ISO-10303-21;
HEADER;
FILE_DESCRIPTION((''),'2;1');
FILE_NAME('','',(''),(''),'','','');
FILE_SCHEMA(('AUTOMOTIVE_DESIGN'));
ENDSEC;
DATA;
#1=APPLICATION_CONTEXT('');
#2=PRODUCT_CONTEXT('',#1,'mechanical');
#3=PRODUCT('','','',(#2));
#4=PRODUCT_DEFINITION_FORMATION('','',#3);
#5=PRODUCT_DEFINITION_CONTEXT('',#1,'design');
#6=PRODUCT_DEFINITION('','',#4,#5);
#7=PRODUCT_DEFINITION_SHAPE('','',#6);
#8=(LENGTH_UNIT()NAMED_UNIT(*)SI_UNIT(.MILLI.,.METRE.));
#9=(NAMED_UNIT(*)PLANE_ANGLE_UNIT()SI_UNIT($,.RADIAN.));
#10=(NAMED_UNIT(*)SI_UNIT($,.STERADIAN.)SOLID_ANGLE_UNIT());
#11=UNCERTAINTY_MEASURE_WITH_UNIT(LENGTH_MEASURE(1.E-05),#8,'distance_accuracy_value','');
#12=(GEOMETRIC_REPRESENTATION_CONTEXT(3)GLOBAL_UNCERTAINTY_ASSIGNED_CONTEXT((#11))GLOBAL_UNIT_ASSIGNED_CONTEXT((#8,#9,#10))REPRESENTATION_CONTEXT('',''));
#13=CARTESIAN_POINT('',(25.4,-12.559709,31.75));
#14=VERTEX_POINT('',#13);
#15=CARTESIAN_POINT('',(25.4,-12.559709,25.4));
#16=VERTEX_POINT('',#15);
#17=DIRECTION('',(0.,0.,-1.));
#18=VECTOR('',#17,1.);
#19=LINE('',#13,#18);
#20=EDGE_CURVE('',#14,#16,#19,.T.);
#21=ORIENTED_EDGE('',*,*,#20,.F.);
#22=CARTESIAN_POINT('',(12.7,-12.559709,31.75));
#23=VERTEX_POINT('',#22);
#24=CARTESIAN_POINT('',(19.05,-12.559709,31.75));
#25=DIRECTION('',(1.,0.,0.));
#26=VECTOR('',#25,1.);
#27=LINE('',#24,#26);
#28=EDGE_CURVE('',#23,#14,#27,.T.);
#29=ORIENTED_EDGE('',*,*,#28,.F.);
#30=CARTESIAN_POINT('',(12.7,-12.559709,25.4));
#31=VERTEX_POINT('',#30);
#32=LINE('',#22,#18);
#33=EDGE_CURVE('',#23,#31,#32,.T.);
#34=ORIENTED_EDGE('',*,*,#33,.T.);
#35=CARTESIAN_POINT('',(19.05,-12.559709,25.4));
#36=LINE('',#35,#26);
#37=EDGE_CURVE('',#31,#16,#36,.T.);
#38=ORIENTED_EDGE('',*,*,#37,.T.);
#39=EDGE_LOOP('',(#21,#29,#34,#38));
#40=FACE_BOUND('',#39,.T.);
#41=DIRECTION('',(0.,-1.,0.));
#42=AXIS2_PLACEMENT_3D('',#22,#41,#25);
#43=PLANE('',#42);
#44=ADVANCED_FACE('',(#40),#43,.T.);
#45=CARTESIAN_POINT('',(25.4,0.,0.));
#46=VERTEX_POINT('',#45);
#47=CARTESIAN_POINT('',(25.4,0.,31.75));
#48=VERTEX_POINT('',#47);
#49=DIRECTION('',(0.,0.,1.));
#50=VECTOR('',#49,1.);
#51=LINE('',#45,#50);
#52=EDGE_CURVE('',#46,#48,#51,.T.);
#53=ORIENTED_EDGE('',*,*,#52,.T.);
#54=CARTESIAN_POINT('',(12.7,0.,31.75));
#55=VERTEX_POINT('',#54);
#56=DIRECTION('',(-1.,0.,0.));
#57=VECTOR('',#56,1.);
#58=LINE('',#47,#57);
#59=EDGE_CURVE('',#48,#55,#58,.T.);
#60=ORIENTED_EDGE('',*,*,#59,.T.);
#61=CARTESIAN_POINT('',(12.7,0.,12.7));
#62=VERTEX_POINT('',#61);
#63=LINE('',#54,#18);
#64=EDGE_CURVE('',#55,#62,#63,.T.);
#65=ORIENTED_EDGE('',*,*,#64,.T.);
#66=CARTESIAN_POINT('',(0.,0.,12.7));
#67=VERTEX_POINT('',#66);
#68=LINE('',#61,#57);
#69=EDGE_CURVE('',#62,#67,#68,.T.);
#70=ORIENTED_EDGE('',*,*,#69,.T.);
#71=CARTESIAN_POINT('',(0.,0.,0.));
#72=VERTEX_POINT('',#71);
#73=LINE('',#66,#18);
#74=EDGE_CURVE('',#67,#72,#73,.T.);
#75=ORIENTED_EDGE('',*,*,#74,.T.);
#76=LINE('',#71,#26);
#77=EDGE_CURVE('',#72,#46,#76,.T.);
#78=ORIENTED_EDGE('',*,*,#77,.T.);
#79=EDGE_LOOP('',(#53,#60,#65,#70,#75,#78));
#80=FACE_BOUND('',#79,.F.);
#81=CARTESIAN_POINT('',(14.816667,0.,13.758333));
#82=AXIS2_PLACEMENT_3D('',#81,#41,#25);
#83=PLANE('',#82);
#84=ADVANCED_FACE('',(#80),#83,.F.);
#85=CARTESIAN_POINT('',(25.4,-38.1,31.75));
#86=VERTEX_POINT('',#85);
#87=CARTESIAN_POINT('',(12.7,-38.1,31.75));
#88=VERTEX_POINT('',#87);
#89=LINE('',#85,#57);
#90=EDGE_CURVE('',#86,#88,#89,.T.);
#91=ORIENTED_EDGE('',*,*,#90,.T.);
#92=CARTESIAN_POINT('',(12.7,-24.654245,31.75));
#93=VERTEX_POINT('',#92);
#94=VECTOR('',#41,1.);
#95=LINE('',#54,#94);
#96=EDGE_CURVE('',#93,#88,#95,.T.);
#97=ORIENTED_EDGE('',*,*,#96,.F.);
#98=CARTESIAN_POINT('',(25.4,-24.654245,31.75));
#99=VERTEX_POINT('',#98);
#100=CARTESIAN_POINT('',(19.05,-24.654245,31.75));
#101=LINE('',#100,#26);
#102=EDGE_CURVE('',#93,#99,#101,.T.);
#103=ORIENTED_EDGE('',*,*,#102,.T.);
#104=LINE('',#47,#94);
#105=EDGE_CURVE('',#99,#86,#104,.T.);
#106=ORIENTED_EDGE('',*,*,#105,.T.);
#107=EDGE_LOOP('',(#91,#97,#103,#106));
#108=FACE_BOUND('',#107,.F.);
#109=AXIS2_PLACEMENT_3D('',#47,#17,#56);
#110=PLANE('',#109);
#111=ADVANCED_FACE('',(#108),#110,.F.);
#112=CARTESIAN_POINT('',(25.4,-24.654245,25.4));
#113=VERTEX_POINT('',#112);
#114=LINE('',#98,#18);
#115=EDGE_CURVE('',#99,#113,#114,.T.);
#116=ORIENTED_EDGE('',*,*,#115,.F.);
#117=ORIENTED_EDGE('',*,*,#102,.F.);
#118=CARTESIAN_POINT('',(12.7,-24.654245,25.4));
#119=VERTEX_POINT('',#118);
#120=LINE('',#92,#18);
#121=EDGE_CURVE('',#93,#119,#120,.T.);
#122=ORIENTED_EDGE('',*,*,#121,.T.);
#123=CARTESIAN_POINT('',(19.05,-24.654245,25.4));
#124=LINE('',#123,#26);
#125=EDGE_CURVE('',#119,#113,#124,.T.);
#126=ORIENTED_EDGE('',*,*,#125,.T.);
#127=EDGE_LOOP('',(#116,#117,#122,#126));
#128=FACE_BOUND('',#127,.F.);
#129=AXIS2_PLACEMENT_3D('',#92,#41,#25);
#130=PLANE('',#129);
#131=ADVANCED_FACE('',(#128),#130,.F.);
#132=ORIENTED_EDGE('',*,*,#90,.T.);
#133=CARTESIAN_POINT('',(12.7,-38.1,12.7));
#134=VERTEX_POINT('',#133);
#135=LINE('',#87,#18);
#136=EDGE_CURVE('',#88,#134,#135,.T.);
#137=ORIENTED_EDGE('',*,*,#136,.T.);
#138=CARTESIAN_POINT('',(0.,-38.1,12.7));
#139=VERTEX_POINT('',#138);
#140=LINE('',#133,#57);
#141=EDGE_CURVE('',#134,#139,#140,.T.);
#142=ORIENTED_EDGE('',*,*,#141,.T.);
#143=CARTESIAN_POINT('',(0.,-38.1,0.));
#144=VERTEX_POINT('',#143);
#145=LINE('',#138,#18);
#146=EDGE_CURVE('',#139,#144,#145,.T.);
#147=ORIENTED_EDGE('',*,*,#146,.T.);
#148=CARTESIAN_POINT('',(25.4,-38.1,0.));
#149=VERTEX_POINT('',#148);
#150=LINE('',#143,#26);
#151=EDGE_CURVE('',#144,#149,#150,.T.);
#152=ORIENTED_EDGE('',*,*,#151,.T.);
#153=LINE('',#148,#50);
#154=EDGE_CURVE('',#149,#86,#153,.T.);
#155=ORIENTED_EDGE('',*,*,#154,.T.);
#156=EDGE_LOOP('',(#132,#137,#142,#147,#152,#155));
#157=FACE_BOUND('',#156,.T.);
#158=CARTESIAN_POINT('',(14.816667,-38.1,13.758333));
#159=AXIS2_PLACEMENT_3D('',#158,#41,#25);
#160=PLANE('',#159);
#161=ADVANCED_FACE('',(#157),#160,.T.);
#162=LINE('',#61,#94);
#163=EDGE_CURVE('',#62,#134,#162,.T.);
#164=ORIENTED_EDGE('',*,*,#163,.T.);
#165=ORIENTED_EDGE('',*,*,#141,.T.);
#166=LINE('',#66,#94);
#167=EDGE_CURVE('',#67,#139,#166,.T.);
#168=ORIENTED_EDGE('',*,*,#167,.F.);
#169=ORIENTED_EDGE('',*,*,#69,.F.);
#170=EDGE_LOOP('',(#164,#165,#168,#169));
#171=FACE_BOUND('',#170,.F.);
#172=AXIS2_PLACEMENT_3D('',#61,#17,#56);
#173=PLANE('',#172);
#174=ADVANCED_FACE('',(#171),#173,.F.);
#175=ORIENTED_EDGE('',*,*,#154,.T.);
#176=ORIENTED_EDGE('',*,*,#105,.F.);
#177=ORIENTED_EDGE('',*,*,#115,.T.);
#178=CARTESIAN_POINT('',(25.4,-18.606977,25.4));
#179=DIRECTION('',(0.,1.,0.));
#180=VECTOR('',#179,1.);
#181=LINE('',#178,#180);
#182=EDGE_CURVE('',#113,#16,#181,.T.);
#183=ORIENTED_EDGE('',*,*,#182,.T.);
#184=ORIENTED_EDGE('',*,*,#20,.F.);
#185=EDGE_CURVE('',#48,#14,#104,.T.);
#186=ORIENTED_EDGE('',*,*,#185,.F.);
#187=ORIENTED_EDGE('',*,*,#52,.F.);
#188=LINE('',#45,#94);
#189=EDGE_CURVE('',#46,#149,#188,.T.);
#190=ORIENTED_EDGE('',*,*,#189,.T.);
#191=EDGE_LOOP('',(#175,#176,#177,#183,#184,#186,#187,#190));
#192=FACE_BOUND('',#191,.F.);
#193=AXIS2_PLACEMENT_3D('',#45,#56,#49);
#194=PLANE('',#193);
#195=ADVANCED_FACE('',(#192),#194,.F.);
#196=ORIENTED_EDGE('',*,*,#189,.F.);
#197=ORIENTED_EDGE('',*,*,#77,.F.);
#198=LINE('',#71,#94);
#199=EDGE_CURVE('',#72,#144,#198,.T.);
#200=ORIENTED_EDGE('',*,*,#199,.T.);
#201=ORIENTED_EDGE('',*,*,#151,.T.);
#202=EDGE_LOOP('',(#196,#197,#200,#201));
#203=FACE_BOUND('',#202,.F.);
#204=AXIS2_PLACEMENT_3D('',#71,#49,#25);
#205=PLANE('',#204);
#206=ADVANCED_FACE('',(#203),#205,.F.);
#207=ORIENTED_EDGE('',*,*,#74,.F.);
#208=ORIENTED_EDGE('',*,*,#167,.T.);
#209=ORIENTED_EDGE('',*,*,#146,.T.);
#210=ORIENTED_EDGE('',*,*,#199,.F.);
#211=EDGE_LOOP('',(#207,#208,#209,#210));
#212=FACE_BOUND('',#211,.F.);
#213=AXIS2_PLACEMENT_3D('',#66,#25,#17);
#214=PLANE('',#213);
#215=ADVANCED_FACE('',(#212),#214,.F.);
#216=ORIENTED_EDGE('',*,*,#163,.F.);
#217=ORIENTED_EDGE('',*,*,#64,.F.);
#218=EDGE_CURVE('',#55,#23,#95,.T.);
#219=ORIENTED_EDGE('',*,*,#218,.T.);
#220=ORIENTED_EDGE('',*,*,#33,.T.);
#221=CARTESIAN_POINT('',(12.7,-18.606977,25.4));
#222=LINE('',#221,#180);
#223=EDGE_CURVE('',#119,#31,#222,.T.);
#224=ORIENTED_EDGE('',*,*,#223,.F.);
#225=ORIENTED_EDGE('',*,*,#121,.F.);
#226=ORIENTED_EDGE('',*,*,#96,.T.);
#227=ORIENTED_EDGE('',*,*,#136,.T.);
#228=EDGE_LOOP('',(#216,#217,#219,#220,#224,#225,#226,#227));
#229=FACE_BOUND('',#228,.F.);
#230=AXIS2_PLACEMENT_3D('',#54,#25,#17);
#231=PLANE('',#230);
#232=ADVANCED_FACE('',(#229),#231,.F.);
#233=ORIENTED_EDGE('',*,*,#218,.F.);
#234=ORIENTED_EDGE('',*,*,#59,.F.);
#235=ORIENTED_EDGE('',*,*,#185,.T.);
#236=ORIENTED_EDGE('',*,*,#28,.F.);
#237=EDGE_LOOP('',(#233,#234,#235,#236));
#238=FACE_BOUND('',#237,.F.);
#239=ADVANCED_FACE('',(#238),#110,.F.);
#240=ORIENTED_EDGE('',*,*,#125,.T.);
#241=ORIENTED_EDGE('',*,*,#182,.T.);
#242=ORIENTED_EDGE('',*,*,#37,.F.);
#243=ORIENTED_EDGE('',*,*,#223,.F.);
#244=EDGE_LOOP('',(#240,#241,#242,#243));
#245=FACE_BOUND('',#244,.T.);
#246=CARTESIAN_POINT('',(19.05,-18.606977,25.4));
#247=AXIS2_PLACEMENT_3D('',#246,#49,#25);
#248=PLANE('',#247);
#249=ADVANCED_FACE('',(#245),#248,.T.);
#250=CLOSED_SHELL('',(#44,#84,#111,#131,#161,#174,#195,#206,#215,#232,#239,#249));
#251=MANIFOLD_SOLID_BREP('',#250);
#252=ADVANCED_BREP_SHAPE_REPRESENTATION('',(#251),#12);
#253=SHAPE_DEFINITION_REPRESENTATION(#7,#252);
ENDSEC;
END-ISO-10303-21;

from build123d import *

# Parameters (mm, degrees)
F1_DEPTH = 38.1
F2_W     = 12.7
F2_H     = 12.094536
F3_DEPTH = 6.35


with BuildPart() as f1:
    # F0 (on Front) → F1 (new body)
    with BuildSketch(Plane.XZ):
        Polygon((0, 12.7), (0, 0), (25.4, 0), (25.4, 31.75), (12.7, 31.75), (12.7, 12.7), align=None)
    extrude(amount=F1_DEPTH)

    # F2 (on face) → F3 (cut)
    with BuildSketch(Plane.XY.offset(31.75)):
        with Locations((19.05, -18.606977)):
            Rectangle(F2_W, F2_H)
    extrude(amount=-F3_DEPTH, mode=Mode.SUBTRACT)


solid = f1.part
